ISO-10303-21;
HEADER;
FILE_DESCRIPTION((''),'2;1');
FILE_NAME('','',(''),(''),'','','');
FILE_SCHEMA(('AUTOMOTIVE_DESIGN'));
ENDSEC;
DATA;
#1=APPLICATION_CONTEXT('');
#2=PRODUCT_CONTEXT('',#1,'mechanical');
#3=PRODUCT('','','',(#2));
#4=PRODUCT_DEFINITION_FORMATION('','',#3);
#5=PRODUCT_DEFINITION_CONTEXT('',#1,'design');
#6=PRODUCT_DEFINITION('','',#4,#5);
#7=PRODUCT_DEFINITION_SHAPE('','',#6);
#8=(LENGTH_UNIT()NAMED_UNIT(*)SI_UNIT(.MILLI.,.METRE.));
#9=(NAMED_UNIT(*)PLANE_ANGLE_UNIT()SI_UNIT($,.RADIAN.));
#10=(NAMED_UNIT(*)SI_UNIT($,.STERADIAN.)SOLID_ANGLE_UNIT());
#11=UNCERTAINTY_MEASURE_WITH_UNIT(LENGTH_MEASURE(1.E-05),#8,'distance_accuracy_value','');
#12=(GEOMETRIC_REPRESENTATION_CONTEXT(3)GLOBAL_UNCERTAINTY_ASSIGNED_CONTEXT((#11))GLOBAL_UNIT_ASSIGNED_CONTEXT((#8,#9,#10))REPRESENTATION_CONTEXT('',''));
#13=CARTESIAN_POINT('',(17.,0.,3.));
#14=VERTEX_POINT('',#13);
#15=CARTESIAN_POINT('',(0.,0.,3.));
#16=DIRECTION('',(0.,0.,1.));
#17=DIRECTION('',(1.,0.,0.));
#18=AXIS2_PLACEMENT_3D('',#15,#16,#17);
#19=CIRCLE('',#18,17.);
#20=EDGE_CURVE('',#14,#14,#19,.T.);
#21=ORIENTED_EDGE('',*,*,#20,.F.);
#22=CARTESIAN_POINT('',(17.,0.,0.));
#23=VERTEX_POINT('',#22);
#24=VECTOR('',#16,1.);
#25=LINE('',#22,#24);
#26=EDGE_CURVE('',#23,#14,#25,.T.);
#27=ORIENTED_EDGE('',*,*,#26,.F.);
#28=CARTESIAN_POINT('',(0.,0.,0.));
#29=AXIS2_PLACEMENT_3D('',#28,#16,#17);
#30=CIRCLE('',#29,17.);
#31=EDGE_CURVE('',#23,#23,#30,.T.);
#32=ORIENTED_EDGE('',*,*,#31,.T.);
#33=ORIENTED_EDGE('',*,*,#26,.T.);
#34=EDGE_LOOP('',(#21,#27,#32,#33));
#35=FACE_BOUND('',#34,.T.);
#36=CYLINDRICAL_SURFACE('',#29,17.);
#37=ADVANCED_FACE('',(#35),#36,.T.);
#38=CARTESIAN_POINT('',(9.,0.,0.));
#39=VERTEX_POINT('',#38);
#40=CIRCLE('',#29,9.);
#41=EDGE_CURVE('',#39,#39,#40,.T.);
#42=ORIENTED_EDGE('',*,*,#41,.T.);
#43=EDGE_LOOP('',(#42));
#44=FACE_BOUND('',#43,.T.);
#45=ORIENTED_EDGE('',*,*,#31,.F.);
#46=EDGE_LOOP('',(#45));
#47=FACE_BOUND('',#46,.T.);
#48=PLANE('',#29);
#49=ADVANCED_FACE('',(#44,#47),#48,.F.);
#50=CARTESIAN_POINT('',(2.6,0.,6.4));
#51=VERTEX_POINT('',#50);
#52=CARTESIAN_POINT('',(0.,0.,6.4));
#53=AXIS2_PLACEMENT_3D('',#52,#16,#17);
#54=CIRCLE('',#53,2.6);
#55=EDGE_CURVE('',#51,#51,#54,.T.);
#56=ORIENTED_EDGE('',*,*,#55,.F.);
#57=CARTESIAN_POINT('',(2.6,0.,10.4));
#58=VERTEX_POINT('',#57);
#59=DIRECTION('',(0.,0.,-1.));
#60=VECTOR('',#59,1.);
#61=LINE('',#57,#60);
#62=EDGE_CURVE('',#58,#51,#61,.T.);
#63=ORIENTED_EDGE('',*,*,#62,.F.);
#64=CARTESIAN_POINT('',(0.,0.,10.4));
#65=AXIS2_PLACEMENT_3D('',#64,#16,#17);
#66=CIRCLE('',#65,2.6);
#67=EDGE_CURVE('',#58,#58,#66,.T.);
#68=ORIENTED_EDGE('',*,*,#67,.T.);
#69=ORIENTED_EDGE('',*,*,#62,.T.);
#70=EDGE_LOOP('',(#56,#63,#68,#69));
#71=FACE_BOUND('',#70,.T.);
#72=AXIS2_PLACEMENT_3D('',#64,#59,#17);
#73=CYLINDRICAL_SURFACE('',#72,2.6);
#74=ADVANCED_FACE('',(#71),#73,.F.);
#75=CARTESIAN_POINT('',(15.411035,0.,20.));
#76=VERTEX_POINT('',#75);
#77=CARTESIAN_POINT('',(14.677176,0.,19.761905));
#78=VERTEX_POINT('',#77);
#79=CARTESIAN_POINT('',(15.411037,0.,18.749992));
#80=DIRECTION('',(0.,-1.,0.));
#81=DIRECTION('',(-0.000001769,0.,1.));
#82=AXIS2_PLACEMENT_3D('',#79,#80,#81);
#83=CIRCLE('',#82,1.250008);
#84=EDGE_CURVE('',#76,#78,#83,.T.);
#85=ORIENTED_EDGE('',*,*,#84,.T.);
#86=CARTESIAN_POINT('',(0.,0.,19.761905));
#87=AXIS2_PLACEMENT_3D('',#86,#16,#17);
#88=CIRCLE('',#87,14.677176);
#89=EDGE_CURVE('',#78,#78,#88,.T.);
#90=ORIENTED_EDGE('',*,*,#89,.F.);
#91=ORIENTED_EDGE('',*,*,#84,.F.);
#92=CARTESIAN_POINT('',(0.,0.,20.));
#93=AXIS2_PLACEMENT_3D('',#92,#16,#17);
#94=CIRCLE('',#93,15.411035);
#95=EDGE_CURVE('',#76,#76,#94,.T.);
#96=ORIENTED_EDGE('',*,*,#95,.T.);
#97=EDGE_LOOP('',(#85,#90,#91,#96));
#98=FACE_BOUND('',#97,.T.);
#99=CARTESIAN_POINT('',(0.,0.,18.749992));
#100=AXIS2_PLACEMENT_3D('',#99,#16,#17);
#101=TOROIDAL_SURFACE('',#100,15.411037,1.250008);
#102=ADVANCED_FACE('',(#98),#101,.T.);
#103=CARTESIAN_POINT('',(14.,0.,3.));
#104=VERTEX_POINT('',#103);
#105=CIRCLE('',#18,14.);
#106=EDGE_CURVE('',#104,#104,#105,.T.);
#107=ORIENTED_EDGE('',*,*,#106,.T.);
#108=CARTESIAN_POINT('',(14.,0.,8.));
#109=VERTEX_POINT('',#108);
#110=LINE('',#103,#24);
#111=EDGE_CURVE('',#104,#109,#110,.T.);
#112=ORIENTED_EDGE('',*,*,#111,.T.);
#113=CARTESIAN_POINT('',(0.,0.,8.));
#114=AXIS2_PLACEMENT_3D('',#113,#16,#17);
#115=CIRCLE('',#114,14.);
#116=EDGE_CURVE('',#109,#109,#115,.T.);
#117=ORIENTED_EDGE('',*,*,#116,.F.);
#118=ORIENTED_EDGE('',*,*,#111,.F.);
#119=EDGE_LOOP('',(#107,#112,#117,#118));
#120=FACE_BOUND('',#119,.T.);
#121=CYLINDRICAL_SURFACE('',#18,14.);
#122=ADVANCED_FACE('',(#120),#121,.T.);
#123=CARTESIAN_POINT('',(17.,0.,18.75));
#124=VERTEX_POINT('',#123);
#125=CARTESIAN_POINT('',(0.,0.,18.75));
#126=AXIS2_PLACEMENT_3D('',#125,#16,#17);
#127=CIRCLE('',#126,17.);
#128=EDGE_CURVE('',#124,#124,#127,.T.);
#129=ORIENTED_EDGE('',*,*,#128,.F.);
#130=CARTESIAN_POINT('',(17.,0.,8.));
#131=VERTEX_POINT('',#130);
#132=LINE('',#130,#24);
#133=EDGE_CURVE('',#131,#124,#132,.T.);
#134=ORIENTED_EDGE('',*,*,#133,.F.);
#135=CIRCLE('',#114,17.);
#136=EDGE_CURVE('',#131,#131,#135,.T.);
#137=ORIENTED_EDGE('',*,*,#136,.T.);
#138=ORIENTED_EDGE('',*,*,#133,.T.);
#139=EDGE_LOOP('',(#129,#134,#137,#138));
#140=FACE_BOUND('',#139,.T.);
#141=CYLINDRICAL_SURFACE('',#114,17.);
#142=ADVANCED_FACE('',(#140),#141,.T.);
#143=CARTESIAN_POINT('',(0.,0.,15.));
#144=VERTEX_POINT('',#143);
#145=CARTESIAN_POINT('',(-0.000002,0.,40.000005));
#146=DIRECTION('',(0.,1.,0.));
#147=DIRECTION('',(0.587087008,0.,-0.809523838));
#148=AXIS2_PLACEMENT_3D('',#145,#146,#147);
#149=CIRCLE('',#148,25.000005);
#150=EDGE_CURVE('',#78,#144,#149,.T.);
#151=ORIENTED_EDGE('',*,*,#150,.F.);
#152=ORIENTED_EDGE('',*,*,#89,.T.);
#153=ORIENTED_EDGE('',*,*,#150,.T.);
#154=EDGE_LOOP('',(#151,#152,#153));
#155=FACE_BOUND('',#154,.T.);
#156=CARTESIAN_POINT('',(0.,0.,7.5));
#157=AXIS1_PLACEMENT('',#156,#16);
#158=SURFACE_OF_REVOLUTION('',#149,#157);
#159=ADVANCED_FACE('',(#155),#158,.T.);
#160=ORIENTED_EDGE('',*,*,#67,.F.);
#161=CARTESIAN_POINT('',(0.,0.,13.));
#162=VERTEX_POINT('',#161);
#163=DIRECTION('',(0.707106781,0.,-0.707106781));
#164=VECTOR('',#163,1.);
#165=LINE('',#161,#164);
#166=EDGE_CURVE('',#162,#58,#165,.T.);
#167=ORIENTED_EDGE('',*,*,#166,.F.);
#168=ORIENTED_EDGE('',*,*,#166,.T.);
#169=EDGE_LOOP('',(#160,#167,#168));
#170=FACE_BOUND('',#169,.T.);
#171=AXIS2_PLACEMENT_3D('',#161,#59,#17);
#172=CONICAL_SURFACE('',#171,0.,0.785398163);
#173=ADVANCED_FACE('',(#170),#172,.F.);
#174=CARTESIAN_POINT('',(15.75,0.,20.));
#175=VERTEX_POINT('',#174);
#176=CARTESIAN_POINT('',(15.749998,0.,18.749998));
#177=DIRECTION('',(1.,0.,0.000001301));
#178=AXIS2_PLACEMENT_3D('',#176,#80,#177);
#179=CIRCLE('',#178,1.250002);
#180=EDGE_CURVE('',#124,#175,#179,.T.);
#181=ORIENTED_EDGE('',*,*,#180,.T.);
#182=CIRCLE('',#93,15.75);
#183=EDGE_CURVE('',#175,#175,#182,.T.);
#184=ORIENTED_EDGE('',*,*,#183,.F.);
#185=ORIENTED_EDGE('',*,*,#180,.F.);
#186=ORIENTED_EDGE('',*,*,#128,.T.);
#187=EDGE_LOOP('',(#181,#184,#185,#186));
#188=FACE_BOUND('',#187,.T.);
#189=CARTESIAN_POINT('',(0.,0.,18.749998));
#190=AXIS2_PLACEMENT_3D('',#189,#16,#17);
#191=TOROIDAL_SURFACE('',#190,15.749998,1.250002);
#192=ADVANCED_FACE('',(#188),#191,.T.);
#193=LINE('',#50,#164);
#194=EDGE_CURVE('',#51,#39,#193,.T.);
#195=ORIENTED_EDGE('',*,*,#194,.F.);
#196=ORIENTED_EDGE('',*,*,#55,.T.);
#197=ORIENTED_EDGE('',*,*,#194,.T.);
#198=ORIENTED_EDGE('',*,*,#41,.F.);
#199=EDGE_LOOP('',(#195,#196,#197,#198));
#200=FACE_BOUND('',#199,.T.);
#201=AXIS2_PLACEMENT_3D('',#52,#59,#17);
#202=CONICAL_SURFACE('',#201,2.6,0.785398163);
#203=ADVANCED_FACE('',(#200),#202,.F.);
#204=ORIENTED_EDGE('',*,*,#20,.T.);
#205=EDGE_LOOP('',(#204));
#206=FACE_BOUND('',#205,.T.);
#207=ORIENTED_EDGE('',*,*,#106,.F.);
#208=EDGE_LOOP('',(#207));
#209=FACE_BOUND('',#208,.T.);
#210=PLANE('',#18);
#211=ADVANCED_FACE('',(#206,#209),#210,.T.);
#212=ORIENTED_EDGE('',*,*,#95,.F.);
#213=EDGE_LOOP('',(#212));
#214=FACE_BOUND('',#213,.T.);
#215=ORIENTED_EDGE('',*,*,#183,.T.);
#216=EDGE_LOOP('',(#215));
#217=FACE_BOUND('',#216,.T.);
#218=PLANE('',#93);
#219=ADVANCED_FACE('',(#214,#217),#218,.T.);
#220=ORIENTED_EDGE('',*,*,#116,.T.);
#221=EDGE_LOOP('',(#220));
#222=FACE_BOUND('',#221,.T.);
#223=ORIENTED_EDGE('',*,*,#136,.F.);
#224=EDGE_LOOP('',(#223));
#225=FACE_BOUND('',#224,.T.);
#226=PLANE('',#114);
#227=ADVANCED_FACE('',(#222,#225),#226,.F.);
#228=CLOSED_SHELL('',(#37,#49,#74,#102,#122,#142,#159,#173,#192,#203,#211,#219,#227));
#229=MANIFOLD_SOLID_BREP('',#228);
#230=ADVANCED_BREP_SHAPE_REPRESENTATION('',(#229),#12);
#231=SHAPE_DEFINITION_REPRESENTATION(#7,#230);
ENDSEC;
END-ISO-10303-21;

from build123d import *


with BuildPart() as f1:
    # F0 (on Front) → F1 (revolve)
    with BuildSketch(Plane.XZ):
        with BuildLine():
            ThreePointArc((14.677176, 19.761905), (7.715167, 16.220257), (0, 15))
            Line((0, 15), (0, 13))
            Line((0, 13), (2.6, 10.4))
            Line((2.6, 10.4), (2.6, 6.4))
            Line((2.6, 6.4), (9, 0))
            Line((9, 0), (17, 0))
            Line((17, 0), (17, 3))
            Line((17, 3), (14, 3))
            Line((14, 3), (14, 8))
            Line((14, 8), (17, 8))
            Line((17, 8), (17, 18.75))
            ThreePointArc((17, 18.75), (16.633883, 19.633883), (15.75, 20))
            Line((15.75, 20), (15.411035, 20))
            ThreePointArc((15.411035, 20), (15.025277, 19.938987), (14.677176, 19.761905))
        make_face()
    revolve(axis=Axis((0, 0, 7.5), (0, 0, 1)))


solid = f1.part
